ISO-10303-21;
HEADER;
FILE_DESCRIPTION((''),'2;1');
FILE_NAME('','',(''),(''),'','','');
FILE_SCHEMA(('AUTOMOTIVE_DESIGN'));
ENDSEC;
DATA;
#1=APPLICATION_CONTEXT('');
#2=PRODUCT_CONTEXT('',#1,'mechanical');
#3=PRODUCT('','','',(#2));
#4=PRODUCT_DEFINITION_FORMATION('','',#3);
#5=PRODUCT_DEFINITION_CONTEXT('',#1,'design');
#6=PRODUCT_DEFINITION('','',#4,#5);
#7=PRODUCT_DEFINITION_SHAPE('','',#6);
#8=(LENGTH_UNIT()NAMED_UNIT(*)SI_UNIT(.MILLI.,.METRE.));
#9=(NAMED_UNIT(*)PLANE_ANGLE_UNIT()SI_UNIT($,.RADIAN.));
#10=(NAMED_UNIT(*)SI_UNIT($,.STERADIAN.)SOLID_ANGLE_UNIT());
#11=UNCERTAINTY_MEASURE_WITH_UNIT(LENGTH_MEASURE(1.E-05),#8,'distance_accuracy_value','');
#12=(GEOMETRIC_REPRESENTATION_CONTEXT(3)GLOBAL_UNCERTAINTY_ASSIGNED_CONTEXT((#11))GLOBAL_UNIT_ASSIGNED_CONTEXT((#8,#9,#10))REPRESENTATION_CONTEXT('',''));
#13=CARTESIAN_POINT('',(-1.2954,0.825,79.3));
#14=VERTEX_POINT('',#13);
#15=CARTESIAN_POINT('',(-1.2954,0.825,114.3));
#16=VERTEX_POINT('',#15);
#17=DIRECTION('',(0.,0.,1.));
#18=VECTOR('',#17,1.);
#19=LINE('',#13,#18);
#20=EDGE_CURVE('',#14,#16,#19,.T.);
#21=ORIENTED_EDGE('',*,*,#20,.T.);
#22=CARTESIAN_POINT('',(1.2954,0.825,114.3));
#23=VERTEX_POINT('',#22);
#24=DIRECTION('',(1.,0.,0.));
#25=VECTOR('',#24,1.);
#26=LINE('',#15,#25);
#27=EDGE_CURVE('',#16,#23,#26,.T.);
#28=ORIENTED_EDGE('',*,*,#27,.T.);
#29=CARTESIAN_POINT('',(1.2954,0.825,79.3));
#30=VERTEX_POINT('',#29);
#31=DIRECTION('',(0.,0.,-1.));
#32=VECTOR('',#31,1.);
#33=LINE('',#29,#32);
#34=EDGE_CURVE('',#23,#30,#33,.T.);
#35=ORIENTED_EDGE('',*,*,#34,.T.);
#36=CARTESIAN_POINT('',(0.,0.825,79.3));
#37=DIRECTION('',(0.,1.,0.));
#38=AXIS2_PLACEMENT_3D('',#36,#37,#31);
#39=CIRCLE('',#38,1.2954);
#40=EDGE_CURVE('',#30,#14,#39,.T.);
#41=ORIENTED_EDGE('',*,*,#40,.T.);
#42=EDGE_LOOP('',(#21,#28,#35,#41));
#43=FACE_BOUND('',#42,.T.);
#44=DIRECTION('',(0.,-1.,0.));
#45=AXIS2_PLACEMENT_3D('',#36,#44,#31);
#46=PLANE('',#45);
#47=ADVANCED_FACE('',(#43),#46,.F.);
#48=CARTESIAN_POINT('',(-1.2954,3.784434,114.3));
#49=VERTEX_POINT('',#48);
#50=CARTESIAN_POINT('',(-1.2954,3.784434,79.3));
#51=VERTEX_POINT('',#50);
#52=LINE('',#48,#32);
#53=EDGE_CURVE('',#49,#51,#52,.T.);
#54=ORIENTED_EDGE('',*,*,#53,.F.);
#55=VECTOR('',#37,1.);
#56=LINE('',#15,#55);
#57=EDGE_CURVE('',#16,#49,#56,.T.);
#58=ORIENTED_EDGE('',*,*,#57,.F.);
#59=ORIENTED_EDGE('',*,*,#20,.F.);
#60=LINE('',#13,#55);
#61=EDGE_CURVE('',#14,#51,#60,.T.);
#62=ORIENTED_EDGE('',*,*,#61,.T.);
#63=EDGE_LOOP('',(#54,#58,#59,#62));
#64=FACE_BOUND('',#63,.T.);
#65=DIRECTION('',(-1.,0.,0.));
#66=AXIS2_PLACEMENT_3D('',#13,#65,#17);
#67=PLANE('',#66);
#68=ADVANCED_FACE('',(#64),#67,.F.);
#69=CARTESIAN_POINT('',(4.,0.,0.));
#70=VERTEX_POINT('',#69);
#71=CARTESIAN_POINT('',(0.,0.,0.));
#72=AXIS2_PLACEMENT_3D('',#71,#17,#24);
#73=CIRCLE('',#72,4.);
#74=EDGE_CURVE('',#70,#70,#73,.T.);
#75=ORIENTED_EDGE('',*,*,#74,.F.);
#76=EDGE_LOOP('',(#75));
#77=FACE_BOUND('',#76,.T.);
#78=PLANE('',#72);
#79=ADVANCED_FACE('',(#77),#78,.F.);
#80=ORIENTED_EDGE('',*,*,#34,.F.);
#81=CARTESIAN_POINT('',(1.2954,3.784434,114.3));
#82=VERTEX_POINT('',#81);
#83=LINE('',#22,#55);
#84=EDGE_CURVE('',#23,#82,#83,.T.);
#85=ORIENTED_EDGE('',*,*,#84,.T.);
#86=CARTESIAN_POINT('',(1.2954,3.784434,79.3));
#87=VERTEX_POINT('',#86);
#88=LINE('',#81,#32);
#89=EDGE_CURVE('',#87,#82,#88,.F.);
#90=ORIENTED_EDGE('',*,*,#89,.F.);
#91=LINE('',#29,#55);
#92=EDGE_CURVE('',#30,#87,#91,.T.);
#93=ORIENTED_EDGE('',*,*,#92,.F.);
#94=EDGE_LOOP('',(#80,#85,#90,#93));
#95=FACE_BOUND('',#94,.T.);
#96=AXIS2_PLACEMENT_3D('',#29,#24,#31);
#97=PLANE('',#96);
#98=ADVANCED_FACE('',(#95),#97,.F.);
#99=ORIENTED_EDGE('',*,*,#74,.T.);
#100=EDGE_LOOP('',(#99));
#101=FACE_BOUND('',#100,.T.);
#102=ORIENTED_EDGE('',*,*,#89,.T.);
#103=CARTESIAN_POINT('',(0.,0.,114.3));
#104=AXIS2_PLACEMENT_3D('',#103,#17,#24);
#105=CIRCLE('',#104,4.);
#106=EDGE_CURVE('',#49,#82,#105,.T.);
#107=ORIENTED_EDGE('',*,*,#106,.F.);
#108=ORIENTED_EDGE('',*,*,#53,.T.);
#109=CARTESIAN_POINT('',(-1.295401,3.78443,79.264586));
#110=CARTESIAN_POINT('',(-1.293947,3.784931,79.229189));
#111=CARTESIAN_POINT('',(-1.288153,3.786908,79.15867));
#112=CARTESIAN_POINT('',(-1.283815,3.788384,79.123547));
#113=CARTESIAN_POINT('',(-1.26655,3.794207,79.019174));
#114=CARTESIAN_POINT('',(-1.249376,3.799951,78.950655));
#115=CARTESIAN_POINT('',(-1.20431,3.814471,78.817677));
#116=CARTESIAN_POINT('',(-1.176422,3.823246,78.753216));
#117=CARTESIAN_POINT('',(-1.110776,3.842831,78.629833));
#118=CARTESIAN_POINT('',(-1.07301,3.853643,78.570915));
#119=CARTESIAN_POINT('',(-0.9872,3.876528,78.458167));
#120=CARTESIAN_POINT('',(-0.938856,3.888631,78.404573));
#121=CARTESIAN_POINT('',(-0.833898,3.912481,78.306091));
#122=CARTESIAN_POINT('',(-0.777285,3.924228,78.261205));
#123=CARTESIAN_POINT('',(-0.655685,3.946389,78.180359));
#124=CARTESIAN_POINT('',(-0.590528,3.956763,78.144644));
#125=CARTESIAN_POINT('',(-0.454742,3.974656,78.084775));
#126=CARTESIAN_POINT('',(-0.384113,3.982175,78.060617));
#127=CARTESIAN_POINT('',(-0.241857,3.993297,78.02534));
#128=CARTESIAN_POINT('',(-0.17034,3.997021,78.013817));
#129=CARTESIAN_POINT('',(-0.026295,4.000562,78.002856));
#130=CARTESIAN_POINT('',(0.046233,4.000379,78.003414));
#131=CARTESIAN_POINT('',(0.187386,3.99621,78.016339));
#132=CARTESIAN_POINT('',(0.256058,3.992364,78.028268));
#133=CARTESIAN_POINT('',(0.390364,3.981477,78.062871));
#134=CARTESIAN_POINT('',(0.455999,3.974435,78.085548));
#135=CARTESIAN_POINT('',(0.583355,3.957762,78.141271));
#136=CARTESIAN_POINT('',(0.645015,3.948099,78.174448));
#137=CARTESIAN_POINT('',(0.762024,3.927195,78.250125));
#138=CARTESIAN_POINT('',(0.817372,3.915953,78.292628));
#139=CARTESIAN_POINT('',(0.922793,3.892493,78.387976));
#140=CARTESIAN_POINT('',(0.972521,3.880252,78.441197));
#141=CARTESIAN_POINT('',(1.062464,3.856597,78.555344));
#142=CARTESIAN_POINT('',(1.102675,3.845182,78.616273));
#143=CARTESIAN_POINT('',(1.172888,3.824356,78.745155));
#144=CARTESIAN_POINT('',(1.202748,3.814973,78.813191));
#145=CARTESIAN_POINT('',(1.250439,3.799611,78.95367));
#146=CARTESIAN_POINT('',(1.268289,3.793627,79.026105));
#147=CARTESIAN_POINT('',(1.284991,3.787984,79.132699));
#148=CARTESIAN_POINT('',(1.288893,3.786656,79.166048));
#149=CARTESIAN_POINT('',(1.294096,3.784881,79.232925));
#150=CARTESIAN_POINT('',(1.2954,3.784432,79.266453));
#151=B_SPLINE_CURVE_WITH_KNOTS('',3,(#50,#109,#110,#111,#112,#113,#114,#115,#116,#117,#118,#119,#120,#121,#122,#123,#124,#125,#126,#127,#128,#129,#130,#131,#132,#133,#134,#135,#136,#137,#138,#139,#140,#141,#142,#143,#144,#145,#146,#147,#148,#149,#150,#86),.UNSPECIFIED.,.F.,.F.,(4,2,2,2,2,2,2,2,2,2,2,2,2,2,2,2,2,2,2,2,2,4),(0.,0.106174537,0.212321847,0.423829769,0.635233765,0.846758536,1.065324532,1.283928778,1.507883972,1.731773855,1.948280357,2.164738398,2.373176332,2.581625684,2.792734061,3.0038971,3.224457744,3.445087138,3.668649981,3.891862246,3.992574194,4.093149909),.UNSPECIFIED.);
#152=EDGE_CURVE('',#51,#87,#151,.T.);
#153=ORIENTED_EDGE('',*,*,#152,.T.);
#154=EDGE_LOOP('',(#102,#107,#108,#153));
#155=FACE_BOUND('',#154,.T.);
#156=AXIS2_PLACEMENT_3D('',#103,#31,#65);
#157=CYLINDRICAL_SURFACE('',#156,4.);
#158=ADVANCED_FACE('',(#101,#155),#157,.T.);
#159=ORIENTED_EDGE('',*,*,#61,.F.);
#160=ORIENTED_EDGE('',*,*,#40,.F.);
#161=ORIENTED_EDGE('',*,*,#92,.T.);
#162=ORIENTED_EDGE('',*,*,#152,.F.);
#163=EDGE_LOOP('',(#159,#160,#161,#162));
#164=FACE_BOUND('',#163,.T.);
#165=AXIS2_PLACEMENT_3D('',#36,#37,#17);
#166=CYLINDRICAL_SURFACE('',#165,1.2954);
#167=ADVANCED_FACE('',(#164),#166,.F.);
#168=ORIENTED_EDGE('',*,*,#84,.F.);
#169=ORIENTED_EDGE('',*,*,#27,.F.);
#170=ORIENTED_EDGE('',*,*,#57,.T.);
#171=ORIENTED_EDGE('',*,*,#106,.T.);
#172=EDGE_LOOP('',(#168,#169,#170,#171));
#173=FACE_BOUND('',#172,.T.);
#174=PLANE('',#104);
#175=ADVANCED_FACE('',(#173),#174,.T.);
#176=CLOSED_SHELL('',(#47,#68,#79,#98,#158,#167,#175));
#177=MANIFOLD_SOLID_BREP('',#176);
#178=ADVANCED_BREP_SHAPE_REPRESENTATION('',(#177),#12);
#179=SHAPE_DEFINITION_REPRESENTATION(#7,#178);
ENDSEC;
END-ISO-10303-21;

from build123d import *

# Parameters (mm, degrees)
SKETCH1_R           = 4
BOSS_EXTRUDE1_DEPTH = 114.3
BOSS_EXTRUDE2_DEPTH = 35
CUT_EXTRUDE1_DEPTH  = 5.596433308


with BuildPart() as part:
    # Sketch1 → Boss-Extrude1 (new body)
    with BuildSketch(Plane.XY):
        Circle(SKETCH1_R)
    extrude(amount=BOSS_EXTRUDE1_DEPTH)

    # Sketch2 → Boss-Extrude2 (add)
    with BuildSketch(Plane.XY.offset(114.3)):
        Polygon((-1.2954, 3.421433318), (-1.2954, 6.421433318), (1.2954, 6.421433318), (1.2954, 3.421433318), (1.2954, 0.825), (0, 0.825), (-1.2954, 0.825), align=None)
    extrude(amount=-BOSS_EXTRUDE2_DEPTH)

    # Sketch3 → Cut-Extrude1 (cut)
    with BuildSketch(Plane(origin=(0, 6.421433318, 0), x_dir=(1, 0, 0), z_dir=(0, 1, 0))):
        with BuildLine():
            Line((-1.2954, -79.3), (-1.2954, -114.3))
            Line((-1.2954, -114.3), (1.2954, -114.3))
            Line((1.2954, -114.3), (1.2954, -79.3))
            ThreePointArc((1.2954, -79.3), (0, -78.0046), (-1.2954, -79.3))
        make_face()
    extrude(amount=-CUT_EXTRUDE1_DEPTH, mode=Mode.SUBTRACT)


solid = part.part
